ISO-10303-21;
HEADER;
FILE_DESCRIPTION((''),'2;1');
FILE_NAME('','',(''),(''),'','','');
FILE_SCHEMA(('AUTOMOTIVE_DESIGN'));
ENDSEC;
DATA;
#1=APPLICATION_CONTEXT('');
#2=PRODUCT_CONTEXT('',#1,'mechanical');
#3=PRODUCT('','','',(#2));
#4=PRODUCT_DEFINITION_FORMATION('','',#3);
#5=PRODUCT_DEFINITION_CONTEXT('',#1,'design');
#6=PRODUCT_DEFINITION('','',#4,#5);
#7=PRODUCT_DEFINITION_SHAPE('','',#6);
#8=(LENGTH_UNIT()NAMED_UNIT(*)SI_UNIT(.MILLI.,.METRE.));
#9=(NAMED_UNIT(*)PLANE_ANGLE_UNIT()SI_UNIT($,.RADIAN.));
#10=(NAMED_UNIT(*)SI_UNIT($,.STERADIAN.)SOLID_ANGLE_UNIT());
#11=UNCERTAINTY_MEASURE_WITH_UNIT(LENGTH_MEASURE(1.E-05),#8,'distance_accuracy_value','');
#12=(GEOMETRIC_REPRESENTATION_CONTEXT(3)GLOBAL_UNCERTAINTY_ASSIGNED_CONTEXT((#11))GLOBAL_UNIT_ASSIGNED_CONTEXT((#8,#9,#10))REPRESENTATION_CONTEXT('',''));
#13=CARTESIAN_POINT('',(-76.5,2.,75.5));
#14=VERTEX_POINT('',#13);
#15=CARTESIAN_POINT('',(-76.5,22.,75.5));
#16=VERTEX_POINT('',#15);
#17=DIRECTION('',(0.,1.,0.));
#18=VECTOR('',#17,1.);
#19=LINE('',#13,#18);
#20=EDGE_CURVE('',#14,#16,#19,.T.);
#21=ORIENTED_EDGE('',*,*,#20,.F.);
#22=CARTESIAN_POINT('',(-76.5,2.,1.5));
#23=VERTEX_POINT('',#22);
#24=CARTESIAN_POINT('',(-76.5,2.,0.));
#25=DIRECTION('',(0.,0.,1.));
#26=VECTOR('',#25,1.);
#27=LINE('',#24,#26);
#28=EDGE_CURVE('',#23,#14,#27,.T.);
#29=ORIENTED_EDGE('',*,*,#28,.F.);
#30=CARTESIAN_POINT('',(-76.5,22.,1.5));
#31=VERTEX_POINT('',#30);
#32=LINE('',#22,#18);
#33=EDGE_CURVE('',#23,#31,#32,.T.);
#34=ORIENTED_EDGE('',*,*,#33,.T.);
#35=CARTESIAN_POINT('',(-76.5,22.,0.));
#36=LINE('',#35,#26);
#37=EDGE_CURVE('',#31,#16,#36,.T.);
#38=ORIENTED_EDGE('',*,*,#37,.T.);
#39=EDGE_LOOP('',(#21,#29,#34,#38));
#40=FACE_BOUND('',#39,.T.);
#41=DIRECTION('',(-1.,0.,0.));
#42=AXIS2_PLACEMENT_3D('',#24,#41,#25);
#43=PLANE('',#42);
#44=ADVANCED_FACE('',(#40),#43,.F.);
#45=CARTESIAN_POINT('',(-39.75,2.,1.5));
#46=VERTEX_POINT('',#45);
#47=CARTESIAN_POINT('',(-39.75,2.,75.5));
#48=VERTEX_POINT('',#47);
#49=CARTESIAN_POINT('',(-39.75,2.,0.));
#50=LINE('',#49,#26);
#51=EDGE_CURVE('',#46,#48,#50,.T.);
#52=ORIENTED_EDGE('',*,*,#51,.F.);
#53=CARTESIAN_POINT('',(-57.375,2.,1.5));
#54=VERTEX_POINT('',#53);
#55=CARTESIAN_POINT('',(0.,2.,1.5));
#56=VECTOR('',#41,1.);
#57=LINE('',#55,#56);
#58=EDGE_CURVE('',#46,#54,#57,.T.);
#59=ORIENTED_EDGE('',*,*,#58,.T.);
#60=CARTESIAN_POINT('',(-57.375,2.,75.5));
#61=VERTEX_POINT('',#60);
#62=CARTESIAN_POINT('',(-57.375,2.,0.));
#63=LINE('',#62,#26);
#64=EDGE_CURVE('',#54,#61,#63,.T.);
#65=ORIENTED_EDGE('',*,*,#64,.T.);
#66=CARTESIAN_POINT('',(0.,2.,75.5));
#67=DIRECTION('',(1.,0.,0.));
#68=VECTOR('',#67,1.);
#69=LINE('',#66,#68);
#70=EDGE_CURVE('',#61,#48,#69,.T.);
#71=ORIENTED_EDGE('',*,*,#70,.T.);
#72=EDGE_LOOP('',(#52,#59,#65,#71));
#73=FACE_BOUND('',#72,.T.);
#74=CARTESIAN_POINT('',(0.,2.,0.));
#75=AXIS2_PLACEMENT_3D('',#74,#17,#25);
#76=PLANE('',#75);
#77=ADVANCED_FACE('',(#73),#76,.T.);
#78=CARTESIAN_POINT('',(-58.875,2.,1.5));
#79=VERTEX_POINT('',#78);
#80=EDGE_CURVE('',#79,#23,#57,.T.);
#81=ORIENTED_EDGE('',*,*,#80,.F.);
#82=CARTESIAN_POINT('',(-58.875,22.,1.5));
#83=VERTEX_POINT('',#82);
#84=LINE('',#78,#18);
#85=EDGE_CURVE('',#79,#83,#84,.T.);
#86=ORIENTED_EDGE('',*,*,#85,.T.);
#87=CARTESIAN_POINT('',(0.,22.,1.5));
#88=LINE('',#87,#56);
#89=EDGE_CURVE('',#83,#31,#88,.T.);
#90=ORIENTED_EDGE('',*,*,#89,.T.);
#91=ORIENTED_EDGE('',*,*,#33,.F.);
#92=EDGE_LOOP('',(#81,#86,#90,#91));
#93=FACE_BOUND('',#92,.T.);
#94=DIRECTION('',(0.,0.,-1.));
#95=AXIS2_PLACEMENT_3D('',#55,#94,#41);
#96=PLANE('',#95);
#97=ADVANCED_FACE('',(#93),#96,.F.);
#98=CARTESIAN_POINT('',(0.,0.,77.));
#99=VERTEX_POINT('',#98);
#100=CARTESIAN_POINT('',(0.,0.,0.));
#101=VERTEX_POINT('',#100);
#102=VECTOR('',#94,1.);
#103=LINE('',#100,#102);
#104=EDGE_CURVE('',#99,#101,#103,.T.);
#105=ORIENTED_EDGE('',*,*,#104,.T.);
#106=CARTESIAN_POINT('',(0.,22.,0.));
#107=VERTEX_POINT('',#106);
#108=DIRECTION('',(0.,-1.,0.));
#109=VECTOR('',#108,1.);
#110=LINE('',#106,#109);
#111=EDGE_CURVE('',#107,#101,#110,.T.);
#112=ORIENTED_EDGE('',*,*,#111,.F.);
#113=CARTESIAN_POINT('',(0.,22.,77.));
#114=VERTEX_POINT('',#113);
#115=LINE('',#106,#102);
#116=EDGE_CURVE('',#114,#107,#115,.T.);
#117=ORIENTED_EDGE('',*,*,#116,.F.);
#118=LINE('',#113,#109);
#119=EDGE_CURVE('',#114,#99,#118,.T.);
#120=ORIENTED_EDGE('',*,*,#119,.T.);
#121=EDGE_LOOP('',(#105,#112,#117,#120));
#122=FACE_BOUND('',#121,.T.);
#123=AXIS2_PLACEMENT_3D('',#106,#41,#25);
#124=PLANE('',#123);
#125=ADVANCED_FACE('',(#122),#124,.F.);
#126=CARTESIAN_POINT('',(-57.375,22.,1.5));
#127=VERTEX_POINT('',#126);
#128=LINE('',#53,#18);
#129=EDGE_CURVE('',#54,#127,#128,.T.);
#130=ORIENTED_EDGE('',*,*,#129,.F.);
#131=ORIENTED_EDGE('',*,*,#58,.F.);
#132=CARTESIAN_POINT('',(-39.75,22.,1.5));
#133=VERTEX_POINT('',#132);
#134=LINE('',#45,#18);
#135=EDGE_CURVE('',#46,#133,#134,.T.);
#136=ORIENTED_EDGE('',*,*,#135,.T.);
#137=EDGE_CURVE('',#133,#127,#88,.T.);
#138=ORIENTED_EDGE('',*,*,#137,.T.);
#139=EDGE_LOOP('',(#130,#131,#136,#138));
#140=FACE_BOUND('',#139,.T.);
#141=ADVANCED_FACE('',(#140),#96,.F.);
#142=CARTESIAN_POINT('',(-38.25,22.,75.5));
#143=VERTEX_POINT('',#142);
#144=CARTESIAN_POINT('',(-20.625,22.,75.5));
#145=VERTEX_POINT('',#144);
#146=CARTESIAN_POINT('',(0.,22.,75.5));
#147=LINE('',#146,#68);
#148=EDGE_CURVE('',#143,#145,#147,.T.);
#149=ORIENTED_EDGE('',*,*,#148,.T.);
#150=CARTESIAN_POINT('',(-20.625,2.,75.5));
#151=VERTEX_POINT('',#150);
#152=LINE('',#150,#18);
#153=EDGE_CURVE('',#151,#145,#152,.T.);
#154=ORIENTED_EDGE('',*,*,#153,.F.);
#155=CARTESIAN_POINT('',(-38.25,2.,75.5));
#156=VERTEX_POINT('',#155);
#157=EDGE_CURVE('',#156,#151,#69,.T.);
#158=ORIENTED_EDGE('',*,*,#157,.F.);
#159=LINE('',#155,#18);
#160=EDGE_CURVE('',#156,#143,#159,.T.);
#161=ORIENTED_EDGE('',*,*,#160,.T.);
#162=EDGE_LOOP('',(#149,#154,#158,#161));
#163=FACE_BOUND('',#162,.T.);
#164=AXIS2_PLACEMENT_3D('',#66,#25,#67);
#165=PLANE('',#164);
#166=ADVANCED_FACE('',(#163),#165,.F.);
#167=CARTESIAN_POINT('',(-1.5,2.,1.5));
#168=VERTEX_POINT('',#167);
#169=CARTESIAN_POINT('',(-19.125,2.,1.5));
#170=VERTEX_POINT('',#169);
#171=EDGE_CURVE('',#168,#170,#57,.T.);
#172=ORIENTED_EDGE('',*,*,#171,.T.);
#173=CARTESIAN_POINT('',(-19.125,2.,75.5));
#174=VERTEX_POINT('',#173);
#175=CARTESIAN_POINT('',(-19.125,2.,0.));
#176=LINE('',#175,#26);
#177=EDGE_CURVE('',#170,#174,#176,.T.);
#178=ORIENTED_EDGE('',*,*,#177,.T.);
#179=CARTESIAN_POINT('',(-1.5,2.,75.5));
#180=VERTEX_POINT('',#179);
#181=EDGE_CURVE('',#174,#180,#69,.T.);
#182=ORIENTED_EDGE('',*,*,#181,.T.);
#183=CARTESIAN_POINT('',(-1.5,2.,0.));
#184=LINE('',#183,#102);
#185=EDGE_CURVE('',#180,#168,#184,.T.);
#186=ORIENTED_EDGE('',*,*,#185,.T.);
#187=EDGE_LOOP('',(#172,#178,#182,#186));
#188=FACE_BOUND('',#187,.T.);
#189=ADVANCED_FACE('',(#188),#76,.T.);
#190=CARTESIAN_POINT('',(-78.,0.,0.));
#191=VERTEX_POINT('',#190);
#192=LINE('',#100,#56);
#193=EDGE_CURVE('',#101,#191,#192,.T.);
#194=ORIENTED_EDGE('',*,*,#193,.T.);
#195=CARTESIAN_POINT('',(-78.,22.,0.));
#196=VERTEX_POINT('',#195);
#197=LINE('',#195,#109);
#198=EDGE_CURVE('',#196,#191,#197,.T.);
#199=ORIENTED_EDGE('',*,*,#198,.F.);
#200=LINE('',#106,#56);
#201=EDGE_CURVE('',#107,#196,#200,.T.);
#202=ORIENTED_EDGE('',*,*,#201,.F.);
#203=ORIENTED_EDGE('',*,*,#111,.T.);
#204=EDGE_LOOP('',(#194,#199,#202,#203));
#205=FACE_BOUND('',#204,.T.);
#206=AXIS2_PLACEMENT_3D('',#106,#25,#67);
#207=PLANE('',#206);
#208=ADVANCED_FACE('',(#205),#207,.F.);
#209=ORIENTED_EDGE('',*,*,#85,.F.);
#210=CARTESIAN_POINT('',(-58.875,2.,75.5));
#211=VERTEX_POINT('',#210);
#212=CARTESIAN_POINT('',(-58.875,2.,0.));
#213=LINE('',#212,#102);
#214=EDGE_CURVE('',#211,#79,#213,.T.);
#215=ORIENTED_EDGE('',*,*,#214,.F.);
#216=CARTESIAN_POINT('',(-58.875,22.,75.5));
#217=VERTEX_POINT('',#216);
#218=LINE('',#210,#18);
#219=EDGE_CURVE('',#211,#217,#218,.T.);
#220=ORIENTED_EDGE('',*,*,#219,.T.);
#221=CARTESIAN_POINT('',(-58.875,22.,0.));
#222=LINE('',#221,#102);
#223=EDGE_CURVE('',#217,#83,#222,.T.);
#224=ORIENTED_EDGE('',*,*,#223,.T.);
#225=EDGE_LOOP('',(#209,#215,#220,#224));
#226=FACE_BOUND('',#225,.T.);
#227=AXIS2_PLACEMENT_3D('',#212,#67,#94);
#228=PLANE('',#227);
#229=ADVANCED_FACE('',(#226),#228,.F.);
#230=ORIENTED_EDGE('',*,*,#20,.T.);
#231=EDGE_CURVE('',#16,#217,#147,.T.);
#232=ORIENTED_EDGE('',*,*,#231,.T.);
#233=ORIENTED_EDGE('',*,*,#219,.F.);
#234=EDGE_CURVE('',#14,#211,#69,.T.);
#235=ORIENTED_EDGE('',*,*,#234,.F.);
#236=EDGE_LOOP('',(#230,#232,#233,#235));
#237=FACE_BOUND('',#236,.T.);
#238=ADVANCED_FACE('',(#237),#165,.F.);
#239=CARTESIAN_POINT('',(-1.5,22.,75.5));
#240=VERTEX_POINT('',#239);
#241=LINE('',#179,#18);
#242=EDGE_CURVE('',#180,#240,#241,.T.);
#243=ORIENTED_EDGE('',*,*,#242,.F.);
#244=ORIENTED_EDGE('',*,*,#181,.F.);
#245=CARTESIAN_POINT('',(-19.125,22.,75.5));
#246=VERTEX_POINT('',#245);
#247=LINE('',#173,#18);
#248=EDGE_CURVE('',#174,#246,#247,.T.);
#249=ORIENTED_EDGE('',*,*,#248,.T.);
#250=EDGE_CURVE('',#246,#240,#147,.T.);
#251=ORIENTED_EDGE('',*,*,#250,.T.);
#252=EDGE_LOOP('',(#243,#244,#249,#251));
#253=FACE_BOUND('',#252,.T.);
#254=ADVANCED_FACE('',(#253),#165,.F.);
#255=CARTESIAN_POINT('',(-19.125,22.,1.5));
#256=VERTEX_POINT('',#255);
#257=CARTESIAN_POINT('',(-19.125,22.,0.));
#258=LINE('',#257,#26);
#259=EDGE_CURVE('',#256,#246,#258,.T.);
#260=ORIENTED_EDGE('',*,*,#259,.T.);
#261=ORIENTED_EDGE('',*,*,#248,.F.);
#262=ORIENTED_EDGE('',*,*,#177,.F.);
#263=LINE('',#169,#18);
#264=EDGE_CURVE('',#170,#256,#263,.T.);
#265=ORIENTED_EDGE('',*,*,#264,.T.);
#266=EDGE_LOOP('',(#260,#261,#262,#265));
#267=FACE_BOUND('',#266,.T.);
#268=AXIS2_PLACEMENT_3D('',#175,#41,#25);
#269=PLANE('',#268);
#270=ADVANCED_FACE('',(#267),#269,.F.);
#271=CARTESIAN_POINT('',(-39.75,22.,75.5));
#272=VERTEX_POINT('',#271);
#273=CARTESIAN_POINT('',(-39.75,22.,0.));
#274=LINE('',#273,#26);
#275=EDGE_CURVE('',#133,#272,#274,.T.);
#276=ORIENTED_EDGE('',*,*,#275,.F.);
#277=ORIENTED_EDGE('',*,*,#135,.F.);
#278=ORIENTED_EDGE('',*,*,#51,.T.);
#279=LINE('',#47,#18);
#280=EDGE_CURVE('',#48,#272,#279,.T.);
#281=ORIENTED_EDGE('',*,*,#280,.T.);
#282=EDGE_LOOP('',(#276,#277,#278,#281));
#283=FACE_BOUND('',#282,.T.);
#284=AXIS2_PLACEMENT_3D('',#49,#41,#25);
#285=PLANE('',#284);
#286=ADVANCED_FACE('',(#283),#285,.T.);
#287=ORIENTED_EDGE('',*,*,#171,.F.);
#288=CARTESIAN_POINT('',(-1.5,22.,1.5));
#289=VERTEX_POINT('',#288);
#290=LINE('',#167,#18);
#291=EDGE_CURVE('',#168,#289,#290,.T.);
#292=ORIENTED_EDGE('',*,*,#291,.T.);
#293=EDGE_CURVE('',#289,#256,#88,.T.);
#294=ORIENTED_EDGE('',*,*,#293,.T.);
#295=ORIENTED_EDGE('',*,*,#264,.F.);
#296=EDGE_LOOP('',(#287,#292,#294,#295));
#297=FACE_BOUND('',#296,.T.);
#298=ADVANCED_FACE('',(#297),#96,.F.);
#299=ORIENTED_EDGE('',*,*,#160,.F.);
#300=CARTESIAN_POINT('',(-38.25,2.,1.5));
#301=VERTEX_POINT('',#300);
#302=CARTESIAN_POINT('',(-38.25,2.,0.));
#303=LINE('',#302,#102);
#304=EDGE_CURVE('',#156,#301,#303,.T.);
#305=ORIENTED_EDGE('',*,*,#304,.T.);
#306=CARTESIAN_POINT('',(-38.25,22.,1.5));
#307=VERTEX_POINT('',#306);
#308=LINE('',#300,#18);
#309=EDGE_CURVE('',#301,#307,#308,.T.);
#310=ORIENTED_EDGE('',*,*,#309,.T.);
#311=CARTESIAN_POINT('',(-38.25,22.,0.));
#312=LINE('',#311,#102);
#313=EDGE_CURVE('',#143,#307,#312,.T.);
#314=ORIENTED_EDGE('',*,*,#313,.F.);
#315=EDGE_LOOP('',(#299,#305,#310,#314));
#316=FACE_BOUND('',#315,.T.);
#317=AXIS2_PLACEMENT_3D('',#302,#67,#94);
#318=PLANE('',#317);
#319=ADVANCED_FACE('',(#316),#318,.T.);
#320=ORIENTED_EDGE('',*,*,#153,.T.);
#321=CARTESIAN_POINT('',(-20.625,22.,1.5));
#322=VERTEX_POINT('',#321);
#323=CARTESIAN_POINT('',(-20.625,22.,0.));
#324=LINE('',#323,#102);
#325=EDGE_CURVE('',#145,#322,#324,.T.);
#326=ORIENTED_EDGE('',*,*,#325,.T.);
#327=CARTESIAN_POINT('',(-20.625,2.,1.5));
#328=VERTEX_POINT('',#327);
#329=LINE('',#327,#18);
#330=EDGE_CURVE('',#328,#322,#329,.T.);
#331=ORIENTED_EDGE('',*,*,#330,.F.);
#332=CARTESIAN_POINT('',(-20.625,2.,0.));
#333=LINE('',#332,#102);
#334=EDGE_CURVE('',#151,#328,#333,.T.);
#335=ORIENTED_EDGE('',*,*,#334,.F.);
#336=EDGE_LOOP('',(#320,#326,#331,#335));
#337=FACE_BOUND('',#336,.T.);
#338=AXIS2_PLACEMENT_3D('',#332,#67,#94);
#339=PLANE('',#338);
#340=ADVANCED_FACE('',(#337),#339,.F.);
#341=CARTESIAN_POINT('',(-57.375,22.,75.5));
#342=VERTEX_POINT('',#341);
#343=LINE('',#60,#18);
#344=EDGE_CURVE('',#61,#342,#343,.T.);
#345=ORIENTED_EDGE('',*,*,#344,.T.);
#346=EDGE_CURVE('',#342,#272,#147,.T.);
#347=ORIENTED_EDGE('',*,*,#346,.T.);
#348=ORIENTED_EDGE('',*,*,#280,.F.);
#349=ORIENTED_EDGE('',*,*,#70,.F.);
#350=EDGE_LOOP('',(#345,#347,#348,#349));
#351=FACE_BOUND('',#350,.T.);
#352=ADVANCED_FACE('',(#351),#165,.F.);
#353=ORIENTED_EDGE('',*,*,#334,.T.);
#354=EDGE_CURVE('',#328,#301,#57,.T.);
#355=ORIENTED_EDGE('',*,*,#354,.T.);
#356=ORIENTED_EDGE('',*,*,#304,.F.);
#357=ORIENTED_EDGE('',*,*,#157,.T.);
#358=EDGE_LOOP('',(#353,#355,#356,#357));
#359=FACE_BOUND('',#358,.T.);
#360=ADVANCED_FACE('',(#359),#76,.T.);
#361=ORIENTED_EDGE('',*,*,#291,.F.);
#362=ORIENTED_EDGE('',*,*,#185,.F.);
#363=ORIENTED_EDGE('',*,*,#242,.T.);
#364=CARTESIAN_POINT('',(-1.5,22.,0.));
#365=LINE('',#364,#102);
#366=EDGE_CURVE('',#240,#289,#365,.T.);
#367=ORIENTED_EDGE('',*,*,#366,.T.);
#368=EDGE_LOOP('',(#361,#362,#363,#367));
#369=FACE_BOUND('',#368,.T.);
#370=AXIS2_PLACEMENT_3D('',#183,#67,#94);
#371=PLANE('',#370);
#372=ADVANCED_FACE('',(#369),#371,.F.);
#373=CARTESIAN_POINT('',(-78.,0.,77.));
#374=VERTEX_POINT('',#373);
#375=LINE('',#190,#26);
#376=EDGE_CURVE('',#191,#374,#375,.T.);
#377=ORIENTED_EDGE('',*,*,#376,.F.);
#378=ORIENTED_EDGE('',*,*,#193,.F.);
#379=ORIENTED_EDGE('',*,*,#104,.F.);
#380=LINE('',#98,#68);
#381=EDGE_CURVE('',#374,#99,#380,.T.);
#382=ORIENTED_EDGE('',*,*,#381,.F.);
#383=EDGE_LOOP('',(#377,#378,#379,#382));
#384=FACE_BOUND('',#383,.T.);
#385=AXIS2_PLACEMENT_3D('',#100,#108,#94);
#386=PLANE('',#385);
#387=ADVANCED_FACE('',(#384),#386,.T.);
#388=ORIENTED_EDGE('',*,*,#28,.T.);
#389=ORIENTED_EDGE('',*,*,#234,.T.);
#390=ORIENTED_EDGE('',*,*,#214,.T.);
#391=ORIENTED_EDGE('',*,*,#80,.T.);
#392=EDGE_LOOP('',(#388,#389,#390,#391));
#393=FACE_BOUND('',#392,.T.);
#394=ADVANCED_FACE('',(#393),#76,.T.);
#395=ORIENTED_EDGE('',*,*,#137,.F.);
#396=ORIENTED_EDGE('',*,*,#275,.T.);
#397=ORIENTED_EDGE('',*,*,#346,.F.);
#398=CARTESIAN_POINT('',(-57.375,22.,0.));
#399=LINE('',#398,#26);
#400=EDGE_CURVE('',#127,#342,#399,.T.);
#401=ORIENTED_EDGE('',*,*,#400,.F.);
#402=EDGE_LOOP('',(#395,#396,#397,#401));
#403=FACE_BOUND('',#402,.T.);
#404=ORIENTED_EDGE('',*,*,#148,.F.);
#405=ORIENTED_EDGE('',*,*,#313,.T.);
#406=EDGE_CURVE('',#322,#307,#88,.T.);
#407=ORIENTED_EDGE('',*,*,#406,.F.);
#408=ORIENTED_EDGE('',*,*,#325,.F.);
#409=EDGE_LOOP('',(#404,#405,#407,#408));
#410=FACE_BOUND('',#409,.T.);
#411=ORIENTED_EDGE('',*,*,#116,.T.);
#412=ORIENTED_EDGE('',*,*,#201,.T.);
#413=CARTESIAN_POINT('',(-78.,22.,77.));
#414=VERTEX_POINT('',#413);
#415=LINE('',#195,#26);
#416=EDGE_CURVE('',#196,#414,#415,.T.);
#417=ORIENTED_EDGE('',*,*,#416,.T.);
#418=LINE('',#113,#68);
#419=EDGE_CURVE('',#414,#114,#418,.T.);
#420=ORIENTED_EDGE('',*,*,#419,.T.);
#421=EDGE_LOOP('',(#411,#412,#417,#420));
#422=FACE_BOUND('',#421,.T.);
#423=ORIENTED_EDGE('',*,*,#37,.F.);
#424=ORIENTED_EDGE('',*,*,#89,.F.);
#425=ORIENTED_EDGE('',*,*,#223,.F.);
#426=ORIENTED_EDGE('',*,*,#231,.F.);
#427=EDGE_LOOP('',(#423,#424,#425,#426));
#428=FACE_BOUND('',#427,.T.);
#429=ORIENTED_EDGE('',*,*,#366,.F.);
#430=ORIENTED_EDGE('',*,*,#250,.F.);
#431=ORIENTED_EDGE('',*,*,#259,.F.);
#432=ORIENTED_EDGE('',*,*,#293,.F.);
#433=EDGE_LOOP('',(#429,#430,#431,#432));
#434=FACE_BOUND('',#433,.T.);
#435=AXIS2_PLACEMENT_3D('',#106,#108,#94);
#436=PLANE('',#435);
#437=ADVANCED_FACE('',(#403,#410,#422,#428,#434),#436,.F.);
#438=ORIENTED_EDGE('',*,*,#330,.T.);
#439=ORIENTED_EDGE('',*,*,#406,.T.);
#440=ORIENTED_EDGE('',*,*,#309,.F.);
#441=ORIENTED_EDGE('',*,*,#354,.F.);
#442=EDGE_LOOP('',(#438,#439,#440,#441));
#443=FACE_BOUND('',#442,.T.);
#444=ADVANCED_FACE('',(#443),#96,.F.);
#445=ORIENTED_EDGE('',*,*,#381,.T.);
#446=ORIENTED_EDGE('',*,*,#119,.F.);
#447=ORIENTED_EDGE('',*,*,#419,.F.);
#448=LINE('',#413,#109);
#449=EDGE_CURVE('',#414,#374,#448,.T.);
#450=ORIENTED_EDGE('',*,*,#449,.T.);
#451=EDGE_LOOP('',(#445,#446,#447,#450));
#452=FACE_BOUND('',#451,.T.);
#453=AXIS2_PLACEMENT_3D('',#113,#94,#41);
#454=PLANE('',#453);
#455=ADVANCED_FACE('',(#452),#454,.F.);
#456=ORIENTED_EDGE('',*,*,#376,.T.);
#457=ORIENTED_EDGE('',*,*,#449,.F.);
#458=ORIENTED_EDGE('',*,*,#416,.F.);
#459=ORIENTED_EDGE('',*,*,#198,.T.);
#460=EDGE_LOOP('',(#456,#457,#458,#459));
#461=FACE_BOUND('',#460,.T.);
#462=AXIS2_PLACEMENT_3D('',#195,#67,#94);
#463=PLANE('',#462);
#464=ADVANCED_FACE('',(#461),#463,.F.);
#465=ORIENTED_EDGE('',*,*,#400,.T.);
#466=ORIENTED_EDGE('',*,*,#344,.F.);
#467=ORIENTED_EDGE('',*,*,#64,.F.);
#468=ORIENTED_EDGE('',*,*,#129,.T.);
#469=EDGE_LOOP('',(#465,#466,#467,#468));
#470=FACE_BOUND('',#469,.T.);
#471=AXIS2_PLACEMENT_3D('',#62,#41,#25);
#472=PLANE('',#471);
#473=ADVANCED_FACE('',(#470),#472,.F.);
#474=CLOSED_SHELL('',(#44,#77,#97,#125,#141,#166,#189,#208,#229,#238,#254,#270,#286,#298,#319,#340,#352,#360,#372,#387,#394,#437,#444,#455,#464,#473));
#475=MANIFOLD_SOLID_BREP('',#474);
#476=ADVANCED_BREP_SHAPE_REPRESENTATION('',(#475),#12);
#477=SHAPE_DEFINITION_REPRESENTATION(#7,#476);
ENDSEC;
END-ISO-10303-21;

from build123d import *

# Parameters (mm, degrees)
SKETCH1_W           = 78
SKETCH1_H           = 77
BOSS_EXTRUDE1_DEPTH = 22
SKETCH3_W           = 17.625
SKETCH3_H           = 74
CUT_EXTRUDE1_DEPTH  = 20


with BuildPart() as part:
    # Sketch1 → Boss-Extrude1 (new body)
    with BuildSketch(Plane(origin=(0, 0, 0), x_dir=(1, 0, 0), z_dir=(0, 1, 0))):
        with Locations((-39, -38.5)):
            Rectangle(SKETCH1_W, SKETCH1_H)
    extrude(amount=BOSS_EXTRUDE1_DEPTH)

    # Sketch3 → Cut-Extrude1 (cut)
    with BuildSketch(Plane(origin=(0, 22, 0), x_dir=(1, 0, 0), z_dir=(0, 1, 0))):
        with Locations((-67.6875, -38.5)):
            Rectangle(SKETCH3_W, SKETCH3_H)
        with Locations((-48.5625, -38.5)):
            Rectangle(SKETCH3_W, SKETCH3_H)
        with Locations((-29.4375, -38.5)):
            Rectangle(SKETCH3_W, SKETCH3_H)
        with Locations((-10.3125, -38.5)):
            Rectangle(SKETCH3_W, SKETCH3_H)
    extrude(amount=-CUT_EXTRUDE1_DEPTH, mode=Mode.SUBTRACT)


solid = part.part
